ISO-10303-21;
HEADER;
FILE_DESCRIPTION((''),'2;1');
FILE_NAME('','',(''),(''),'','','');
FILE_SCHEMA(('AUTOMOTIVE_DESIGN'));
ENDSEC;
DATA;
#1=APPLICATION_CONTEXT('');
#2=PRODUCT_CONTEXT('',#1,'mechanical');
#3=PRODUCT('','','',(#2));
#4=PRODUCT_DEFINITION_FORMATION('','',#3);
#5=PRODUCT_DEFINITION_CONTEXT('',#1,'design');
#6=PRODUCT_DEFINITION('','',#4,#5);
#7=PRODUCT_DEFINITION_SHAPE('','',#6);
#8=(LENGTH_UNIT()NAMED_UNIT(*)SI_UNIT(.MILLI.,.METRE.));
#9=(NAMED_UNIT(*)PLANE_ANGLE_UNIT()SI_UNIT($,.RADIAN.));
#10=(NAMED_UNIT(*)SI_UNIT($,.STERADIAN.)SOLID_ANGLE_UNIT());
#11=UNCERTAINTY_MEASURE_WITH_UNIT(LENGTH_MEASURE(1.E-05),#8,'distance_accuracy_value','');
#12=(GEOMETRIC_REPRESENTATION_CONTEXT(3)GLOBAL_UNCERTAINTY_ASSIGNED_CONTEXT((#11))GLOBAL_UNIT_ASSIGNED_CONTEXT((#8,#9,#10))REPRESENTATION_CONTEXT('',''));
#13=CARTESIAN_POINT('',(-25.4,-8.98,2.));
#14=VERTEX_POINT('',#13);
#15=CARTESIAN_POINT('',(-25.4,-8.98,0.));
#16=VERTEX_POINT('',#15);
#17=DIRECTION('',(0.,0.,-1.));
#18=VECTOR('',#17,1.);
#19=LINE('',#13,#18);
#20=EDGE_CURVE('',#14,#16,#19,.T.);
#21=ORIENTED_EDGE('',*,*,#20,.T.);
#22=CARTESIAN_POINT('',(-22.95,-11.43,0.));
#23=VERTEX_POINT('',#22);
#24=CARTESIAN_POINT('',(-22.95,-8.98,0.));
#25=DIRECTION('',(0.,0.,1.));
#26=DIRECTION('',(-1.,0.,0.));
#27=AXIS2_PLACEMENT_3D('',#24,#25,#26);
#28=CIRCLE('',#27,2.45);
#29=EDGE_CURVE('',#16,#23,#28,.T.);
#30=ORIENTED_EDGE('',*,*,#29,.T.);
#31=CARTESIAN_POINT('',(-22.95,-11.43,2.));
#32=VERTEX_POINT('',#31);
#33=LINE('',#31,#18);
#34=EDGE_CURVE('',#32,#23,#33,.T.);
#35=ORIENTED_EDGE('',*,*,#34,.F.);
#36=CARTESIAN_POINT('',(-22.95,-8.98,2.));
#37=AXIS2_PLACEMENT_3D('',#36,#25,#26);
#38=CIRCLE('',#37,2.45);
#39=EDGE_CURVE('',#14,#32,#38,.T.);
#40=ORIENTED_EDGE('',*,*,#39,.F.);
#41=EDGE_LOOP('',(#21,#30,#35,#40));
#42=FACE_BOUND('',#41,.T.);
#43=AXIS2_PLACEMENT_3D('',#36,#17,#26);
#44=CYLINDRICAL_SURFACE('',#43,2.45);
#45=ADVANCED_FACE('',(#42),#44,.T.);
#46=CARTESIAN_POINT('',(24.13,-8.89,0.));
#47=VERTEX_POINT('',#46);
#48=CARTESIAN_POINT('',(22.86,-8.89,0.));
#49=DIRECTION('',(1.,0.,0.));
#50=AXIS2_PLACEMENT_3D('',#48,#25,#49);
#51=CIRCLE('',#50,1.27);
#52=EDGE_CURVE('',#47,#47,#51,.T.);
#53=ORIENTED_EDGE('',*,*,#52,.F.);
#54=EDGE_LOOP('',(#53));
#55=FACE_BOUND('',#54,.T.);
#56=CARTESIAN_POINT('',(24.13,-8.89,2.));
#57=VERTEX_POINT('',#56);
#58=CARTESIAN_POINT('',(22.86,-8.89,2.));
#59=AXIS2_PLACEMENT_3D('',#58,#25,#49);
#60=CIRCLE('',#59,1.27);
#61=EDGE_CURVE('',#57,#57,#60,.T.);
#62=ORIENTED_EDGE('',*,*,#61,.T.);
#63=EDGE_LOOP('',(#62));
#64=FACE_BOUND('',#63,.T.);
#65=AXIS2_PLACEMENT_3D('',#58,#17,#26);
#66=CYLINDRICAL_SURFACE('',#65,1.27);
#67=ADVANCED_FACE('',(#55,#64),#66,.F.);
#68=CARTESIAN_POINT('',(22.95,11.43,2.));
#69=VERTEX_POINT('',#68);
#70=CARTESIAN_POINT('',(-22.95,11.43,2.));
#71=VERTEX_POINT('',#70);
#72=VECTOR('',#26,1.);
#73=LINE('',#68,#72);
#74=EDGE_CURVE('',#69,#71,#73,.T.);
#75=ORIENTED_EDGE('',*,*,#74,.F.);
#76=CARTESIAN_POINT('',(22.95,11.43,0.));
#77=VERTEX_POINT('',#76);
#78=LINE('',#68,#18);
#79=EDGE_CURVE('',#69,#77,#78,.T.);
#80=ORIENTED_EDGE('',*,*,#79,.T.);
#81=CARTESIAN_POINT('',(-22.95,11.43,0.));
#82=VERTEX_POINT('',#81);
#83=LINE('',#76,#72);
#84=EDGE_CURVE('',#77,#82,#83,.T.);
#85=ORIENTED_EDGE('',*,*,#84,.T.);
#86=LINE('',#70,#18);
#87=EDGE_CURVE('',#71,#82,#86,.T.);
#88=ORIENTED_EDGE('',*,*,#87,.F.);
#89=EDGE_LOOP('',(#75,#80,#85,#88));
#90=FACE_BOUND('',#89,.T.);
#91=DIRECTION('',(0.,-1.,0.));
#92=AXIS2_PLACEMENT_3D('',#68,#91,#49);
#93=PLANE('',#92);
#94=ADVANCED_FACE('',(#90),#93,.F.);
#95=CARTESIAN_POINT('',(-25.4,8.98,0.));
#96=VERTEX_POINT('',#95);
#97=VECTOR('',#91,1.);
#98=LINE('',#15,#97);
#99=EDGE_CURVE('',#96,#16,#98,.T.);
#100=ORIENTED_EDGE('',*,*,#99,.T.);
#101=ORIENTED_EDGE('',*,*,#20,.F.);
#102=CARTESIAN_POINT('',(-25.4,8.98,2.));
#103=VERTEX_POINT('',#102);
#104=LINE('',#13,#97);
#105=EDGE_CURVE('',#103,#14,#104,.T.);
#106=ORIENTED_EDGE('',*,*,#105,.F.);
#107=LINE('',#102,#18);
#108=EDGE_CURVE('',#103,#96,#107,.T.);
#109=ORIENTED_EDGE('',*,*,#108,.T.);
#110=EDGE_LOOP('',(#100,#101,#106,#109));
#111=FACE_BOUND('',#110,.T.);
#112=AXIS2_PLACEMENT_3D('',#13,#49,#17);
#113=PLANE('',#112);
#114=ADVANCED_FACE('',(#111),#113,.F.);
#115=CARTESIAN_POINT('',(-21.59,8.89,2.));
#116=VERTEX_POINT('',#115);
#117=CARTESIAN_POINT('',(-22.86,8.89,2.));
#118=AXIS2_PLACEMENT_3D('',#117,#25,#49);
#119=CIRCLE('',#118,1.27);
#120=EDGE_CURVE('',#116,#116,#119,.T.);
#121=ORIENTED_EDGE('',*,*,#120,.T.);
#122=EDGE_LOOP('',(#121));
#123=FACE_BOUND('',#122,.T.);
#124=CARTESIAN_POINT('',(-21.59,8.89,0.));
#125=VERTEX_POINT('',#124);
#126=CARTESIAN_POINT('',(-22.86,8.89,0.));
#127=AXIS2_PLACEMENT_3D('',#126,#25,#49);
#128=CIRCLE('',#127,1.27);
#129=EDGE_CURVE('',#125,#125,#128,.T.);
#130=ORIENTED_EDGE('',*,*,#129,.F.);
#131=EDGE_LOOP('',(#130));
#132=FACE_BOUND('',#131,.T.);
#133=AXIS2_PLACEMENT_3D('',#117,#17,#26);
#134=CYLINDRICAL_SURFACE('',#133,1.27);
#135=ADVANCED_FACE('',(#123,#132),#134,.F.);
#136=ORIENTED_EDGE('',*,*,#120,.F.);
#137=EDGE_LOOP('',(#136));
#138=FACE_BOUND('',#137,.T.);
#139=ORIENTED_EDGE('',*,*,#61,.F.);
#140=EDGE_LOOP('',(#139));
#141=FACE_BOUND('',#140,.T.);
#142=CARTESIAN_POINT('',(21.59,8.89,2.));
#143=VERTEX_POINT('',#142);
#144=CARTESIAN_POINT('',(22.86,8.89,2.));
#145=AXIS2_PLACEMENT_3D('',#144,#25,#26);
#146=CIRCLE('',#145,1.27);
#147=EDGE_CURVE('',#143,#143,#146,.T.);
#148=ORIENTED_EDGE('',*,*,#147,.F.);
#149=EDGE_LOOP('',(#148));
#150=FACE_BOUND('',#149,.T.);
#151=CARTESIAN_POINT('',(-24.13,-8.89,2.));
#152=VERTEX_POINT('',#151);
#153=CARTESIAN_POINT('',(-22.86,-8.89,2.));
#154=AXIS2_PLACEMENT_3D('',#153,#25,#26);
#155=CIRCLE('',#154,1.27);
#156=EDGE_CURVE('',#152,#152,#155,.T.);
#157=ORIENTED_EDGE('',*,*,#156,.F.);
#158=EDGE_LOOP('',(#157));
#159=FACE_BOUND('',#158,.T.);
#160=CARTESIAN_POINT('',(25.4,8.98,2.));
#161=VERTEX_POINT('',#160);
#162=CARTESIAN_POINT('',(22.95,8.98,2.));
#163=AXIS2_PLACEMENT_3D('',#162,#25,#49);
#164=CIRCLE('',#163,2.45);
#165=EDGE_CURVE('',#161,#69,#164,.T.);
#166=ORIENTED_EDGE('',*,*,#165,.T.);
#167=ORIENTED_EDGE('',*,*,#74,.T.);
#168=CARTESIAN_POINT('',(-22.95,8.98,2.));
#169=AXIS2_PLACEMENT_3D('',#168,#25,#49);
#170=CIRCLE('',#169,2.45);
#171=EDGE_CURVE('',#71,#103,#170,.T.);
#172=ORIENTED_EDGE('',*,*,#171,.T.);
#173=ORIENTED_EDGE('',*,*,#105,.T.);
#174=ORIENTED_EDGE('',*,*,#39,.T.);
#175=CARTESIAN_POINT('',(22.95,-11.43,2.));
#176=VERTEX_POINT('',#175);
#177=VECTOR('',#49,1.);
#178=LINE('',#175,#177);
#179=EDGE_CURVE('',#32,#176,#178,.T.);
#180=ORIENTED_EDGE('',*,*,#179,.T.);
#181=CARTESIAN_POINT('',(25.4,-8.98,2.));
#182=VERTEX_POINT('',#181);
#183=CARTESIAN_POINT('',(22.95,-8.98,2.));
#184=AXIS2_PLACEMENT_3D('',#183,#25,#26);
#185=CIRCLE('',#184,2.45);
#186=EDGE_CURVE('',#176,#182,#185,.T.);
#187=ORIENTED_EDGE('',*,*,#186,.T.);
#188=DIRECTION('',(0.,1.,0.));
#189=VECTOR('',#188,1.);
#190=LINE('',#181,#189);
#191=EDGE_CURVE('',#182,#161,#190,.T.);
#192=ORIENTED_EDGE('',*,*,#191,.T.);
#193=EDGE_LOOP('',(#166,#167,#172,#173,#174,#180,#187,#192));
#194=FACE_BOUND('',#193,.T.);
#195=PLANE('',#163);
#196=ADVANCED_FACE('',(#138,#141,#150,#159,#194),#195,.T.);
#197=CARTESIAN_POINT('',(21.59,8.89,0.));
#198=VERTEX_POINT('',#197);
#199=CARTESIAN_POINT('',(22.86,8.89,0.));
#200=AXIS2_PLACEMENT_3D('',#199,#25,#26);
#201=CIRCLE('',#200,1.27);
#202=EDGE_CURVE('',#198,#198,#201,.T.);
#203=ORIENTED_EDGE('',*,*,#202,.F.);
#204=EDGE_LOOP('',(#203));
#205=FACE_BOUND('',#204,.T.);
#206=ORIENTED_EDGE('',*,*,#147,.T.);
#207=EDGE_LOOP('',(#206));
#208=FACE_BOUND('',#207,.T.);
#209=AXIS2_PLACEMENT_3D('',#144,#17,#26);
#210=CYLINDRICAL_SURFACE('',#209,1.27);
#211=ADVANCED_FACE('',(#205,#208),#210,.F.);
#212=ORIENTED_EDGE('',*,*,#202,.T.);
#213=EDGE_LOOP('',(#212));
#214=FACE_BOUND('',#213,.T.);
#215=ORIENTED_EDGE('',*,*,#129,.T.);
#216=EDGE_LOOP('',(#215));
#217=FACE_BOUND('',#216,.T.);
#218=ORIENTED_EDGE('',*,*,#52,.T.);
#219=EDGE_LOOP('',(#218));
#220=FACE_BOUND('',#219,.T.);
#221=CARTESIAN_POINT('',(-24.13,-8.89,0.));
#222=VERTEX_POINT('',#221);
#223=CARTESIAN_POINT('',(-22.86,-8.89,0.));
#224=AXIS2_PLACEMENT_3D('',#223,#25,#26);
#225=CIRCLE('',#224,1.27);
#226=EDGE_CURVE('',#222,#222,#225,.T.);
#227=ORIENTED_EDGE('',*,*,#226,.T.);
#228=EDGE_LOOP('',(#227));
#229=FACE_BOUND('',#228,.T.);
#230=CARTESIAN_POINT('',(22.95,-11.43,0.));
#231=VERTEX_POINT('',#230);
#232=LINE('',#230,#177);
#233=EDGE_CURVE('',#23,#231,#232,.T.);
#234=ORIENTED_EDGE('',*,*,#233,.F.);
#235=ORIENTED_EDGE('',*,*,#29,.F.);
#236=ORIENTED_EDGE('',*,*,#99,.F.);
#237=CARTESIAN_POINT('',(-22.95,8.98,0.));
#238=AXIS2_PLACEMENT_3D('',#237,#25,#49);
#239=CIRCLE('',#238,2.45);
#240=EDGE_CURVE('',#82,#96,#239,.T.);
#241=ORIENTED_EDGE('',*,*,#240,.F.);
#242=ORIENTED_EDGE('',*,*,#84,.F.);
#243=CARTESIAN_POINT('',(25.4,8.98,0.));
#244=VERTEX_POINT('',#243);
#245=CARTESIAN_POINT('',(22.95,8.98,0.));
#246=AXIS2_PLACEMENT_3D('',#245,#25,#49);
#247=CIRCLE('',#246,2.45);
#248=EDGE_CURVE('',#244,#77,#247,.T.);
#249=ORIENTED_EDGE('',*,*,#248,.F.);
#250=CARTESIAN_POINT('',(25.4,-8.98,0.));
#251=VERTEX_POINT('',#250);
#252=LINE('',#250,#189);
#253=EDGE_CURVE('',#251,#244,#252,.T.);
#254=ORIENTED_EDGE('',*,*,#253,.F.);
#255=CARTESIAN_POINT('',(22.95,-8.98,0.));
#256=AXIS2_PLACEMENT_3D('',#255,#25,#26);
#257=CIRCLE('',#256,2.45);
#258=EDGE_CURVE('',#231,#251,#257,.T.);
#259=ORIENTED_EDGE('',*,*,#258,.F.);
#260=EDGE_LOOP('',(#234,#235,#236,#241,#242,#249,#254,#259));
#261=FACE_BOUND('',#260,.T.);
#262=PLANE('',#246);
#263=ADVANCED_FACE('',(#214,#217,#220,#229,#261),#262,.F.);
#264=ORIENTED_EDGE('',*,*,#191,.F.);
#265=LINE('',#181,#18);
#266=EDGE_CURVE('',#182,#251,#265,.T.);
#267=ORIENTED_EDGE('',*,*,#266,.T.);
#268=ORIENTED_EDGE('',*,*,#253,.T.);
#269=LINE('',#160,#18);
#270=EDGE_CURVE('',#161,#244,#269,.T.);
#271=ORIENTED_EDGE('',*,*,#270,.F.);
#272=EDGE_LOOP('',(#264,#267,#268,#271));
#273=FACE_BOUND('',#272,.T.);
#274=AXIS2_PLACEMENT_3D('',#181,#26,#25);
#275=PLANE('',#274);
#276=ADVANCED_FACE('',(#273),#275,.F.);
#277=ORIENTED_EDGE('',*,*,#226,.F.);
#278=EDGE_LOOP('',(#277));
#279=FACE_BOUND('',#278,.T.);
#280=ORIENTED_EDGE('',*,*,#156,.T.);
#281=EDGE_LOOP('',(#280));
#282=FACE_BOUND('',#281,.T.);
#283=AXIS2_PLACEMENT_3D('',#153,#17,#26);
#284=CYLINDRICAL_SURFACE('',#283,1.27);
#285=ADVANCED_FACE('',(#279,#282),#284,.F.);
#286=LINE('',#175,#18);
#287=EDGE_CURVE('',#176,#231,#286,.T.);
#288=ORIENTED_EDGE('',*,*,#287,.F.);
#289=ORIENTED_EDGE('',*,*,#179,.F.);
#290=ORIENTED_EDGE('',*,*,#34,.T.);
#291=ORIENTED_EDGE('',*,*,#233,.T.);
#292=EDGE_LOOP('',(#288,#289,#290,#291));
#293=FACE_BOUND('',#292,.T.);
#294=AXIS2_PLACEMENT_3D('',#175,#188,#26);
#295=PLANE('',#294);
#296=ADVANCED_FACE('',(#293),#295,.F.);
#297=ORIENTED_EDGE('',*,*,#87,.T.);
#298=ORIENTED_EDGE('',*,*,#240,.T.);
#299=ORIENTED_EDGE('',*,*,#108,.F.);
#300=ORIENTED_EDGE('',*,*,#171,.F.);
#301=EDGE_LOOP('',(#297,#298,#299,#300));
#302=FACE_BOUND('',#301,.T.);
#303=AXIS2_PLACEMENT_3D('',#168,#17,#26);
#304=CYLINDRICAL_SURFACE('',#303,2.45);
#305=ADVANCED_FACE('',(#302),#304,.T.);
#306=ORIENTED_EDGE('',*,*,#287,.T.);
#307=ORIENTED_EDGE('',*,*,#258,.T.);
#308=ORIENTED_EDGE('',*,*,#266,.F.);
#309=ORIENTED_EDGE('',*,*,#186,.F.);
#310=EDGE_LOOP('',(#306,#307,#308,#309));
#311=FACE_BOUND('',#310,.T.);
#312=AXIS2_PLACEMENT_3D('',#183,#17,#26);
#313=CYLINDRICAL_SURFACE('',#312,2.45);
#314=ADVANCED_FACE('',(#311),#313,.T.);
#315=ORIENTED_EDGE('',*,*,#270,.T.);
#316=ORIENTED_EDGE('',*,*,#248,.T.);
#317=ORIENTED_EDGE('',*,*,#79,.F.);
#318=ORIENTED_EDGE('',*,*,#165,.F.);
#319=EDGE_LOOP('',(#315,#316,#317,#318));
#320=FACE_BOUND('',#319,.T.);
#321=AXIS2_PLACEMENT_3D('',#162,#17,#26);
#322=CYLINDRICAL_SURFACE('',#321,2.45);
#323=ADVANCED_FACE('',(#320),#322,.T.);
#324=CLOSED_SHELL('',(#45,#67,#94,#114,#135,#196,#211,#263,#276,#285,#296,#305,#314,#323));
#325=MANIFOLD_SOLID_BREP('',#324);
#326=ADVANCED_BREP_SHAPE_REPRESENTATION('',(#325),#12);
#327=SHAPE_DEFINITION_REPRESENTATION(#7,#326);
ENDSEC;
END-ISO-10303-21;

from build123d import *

# Parameters (mm, degrees)
CROQUIS1_R              = 1.27
SALIENTE_EXTRUIR1_DEPTH = 2


with BuildPart() as part:
    # Croquis1 → Saliente-Extruir1 (new body)
    with BuildSketch(Plane.XY):
        with BuildLine():
            Line((22.95, -11.43), (-22.95, -11.43))
            ThreePointArc((-22.95, -11.43), (-24.682411614, -10.712411614), (-25.4, -8.98))
            Line((-25.4, -8.98), (-25.4, 8.98))
            ThreePointArc((-25.4, 8.98), (-24.682411614, 10.712411614), (-22.95, 11.43))
            Line((-22.95, 11.43), (22.95, 11.43))
            ThreePointArc((22.95, 11.43), (24.682411614, 10.712411614), (25.4, 8.98))
            Line((25.4, 8.98), (25.4, -8.98))
            ThreePointArc((25.4, -8.98), (24.682411614, -10.712411614), (22.95, -11.43))
        make_face()
        with Locations((-22.86, 8.89)):
            Circle(CROQUIS1_R, mode=Mode.SUBTRACT)
        with Locations(Location((-22.86, -8.89, 0), (0, 0, 180))):
            Circle(CROQUIS1_R, mode=Mode.SUBTRACT)
        with Locations((22.86, -8.89)):
            Circle(CROQUIS1_R, mode=Mode.SUBTRACT)
        with Locations(Location((22.86, 8.89, 0), (0, 0, 180))):
            Circle(CROQUIS1_R, mode=Mode.SUBTRACT)
    extrude(amount=SALIENTE_EXTRUIR1_DEPTH)


solid = part.part
